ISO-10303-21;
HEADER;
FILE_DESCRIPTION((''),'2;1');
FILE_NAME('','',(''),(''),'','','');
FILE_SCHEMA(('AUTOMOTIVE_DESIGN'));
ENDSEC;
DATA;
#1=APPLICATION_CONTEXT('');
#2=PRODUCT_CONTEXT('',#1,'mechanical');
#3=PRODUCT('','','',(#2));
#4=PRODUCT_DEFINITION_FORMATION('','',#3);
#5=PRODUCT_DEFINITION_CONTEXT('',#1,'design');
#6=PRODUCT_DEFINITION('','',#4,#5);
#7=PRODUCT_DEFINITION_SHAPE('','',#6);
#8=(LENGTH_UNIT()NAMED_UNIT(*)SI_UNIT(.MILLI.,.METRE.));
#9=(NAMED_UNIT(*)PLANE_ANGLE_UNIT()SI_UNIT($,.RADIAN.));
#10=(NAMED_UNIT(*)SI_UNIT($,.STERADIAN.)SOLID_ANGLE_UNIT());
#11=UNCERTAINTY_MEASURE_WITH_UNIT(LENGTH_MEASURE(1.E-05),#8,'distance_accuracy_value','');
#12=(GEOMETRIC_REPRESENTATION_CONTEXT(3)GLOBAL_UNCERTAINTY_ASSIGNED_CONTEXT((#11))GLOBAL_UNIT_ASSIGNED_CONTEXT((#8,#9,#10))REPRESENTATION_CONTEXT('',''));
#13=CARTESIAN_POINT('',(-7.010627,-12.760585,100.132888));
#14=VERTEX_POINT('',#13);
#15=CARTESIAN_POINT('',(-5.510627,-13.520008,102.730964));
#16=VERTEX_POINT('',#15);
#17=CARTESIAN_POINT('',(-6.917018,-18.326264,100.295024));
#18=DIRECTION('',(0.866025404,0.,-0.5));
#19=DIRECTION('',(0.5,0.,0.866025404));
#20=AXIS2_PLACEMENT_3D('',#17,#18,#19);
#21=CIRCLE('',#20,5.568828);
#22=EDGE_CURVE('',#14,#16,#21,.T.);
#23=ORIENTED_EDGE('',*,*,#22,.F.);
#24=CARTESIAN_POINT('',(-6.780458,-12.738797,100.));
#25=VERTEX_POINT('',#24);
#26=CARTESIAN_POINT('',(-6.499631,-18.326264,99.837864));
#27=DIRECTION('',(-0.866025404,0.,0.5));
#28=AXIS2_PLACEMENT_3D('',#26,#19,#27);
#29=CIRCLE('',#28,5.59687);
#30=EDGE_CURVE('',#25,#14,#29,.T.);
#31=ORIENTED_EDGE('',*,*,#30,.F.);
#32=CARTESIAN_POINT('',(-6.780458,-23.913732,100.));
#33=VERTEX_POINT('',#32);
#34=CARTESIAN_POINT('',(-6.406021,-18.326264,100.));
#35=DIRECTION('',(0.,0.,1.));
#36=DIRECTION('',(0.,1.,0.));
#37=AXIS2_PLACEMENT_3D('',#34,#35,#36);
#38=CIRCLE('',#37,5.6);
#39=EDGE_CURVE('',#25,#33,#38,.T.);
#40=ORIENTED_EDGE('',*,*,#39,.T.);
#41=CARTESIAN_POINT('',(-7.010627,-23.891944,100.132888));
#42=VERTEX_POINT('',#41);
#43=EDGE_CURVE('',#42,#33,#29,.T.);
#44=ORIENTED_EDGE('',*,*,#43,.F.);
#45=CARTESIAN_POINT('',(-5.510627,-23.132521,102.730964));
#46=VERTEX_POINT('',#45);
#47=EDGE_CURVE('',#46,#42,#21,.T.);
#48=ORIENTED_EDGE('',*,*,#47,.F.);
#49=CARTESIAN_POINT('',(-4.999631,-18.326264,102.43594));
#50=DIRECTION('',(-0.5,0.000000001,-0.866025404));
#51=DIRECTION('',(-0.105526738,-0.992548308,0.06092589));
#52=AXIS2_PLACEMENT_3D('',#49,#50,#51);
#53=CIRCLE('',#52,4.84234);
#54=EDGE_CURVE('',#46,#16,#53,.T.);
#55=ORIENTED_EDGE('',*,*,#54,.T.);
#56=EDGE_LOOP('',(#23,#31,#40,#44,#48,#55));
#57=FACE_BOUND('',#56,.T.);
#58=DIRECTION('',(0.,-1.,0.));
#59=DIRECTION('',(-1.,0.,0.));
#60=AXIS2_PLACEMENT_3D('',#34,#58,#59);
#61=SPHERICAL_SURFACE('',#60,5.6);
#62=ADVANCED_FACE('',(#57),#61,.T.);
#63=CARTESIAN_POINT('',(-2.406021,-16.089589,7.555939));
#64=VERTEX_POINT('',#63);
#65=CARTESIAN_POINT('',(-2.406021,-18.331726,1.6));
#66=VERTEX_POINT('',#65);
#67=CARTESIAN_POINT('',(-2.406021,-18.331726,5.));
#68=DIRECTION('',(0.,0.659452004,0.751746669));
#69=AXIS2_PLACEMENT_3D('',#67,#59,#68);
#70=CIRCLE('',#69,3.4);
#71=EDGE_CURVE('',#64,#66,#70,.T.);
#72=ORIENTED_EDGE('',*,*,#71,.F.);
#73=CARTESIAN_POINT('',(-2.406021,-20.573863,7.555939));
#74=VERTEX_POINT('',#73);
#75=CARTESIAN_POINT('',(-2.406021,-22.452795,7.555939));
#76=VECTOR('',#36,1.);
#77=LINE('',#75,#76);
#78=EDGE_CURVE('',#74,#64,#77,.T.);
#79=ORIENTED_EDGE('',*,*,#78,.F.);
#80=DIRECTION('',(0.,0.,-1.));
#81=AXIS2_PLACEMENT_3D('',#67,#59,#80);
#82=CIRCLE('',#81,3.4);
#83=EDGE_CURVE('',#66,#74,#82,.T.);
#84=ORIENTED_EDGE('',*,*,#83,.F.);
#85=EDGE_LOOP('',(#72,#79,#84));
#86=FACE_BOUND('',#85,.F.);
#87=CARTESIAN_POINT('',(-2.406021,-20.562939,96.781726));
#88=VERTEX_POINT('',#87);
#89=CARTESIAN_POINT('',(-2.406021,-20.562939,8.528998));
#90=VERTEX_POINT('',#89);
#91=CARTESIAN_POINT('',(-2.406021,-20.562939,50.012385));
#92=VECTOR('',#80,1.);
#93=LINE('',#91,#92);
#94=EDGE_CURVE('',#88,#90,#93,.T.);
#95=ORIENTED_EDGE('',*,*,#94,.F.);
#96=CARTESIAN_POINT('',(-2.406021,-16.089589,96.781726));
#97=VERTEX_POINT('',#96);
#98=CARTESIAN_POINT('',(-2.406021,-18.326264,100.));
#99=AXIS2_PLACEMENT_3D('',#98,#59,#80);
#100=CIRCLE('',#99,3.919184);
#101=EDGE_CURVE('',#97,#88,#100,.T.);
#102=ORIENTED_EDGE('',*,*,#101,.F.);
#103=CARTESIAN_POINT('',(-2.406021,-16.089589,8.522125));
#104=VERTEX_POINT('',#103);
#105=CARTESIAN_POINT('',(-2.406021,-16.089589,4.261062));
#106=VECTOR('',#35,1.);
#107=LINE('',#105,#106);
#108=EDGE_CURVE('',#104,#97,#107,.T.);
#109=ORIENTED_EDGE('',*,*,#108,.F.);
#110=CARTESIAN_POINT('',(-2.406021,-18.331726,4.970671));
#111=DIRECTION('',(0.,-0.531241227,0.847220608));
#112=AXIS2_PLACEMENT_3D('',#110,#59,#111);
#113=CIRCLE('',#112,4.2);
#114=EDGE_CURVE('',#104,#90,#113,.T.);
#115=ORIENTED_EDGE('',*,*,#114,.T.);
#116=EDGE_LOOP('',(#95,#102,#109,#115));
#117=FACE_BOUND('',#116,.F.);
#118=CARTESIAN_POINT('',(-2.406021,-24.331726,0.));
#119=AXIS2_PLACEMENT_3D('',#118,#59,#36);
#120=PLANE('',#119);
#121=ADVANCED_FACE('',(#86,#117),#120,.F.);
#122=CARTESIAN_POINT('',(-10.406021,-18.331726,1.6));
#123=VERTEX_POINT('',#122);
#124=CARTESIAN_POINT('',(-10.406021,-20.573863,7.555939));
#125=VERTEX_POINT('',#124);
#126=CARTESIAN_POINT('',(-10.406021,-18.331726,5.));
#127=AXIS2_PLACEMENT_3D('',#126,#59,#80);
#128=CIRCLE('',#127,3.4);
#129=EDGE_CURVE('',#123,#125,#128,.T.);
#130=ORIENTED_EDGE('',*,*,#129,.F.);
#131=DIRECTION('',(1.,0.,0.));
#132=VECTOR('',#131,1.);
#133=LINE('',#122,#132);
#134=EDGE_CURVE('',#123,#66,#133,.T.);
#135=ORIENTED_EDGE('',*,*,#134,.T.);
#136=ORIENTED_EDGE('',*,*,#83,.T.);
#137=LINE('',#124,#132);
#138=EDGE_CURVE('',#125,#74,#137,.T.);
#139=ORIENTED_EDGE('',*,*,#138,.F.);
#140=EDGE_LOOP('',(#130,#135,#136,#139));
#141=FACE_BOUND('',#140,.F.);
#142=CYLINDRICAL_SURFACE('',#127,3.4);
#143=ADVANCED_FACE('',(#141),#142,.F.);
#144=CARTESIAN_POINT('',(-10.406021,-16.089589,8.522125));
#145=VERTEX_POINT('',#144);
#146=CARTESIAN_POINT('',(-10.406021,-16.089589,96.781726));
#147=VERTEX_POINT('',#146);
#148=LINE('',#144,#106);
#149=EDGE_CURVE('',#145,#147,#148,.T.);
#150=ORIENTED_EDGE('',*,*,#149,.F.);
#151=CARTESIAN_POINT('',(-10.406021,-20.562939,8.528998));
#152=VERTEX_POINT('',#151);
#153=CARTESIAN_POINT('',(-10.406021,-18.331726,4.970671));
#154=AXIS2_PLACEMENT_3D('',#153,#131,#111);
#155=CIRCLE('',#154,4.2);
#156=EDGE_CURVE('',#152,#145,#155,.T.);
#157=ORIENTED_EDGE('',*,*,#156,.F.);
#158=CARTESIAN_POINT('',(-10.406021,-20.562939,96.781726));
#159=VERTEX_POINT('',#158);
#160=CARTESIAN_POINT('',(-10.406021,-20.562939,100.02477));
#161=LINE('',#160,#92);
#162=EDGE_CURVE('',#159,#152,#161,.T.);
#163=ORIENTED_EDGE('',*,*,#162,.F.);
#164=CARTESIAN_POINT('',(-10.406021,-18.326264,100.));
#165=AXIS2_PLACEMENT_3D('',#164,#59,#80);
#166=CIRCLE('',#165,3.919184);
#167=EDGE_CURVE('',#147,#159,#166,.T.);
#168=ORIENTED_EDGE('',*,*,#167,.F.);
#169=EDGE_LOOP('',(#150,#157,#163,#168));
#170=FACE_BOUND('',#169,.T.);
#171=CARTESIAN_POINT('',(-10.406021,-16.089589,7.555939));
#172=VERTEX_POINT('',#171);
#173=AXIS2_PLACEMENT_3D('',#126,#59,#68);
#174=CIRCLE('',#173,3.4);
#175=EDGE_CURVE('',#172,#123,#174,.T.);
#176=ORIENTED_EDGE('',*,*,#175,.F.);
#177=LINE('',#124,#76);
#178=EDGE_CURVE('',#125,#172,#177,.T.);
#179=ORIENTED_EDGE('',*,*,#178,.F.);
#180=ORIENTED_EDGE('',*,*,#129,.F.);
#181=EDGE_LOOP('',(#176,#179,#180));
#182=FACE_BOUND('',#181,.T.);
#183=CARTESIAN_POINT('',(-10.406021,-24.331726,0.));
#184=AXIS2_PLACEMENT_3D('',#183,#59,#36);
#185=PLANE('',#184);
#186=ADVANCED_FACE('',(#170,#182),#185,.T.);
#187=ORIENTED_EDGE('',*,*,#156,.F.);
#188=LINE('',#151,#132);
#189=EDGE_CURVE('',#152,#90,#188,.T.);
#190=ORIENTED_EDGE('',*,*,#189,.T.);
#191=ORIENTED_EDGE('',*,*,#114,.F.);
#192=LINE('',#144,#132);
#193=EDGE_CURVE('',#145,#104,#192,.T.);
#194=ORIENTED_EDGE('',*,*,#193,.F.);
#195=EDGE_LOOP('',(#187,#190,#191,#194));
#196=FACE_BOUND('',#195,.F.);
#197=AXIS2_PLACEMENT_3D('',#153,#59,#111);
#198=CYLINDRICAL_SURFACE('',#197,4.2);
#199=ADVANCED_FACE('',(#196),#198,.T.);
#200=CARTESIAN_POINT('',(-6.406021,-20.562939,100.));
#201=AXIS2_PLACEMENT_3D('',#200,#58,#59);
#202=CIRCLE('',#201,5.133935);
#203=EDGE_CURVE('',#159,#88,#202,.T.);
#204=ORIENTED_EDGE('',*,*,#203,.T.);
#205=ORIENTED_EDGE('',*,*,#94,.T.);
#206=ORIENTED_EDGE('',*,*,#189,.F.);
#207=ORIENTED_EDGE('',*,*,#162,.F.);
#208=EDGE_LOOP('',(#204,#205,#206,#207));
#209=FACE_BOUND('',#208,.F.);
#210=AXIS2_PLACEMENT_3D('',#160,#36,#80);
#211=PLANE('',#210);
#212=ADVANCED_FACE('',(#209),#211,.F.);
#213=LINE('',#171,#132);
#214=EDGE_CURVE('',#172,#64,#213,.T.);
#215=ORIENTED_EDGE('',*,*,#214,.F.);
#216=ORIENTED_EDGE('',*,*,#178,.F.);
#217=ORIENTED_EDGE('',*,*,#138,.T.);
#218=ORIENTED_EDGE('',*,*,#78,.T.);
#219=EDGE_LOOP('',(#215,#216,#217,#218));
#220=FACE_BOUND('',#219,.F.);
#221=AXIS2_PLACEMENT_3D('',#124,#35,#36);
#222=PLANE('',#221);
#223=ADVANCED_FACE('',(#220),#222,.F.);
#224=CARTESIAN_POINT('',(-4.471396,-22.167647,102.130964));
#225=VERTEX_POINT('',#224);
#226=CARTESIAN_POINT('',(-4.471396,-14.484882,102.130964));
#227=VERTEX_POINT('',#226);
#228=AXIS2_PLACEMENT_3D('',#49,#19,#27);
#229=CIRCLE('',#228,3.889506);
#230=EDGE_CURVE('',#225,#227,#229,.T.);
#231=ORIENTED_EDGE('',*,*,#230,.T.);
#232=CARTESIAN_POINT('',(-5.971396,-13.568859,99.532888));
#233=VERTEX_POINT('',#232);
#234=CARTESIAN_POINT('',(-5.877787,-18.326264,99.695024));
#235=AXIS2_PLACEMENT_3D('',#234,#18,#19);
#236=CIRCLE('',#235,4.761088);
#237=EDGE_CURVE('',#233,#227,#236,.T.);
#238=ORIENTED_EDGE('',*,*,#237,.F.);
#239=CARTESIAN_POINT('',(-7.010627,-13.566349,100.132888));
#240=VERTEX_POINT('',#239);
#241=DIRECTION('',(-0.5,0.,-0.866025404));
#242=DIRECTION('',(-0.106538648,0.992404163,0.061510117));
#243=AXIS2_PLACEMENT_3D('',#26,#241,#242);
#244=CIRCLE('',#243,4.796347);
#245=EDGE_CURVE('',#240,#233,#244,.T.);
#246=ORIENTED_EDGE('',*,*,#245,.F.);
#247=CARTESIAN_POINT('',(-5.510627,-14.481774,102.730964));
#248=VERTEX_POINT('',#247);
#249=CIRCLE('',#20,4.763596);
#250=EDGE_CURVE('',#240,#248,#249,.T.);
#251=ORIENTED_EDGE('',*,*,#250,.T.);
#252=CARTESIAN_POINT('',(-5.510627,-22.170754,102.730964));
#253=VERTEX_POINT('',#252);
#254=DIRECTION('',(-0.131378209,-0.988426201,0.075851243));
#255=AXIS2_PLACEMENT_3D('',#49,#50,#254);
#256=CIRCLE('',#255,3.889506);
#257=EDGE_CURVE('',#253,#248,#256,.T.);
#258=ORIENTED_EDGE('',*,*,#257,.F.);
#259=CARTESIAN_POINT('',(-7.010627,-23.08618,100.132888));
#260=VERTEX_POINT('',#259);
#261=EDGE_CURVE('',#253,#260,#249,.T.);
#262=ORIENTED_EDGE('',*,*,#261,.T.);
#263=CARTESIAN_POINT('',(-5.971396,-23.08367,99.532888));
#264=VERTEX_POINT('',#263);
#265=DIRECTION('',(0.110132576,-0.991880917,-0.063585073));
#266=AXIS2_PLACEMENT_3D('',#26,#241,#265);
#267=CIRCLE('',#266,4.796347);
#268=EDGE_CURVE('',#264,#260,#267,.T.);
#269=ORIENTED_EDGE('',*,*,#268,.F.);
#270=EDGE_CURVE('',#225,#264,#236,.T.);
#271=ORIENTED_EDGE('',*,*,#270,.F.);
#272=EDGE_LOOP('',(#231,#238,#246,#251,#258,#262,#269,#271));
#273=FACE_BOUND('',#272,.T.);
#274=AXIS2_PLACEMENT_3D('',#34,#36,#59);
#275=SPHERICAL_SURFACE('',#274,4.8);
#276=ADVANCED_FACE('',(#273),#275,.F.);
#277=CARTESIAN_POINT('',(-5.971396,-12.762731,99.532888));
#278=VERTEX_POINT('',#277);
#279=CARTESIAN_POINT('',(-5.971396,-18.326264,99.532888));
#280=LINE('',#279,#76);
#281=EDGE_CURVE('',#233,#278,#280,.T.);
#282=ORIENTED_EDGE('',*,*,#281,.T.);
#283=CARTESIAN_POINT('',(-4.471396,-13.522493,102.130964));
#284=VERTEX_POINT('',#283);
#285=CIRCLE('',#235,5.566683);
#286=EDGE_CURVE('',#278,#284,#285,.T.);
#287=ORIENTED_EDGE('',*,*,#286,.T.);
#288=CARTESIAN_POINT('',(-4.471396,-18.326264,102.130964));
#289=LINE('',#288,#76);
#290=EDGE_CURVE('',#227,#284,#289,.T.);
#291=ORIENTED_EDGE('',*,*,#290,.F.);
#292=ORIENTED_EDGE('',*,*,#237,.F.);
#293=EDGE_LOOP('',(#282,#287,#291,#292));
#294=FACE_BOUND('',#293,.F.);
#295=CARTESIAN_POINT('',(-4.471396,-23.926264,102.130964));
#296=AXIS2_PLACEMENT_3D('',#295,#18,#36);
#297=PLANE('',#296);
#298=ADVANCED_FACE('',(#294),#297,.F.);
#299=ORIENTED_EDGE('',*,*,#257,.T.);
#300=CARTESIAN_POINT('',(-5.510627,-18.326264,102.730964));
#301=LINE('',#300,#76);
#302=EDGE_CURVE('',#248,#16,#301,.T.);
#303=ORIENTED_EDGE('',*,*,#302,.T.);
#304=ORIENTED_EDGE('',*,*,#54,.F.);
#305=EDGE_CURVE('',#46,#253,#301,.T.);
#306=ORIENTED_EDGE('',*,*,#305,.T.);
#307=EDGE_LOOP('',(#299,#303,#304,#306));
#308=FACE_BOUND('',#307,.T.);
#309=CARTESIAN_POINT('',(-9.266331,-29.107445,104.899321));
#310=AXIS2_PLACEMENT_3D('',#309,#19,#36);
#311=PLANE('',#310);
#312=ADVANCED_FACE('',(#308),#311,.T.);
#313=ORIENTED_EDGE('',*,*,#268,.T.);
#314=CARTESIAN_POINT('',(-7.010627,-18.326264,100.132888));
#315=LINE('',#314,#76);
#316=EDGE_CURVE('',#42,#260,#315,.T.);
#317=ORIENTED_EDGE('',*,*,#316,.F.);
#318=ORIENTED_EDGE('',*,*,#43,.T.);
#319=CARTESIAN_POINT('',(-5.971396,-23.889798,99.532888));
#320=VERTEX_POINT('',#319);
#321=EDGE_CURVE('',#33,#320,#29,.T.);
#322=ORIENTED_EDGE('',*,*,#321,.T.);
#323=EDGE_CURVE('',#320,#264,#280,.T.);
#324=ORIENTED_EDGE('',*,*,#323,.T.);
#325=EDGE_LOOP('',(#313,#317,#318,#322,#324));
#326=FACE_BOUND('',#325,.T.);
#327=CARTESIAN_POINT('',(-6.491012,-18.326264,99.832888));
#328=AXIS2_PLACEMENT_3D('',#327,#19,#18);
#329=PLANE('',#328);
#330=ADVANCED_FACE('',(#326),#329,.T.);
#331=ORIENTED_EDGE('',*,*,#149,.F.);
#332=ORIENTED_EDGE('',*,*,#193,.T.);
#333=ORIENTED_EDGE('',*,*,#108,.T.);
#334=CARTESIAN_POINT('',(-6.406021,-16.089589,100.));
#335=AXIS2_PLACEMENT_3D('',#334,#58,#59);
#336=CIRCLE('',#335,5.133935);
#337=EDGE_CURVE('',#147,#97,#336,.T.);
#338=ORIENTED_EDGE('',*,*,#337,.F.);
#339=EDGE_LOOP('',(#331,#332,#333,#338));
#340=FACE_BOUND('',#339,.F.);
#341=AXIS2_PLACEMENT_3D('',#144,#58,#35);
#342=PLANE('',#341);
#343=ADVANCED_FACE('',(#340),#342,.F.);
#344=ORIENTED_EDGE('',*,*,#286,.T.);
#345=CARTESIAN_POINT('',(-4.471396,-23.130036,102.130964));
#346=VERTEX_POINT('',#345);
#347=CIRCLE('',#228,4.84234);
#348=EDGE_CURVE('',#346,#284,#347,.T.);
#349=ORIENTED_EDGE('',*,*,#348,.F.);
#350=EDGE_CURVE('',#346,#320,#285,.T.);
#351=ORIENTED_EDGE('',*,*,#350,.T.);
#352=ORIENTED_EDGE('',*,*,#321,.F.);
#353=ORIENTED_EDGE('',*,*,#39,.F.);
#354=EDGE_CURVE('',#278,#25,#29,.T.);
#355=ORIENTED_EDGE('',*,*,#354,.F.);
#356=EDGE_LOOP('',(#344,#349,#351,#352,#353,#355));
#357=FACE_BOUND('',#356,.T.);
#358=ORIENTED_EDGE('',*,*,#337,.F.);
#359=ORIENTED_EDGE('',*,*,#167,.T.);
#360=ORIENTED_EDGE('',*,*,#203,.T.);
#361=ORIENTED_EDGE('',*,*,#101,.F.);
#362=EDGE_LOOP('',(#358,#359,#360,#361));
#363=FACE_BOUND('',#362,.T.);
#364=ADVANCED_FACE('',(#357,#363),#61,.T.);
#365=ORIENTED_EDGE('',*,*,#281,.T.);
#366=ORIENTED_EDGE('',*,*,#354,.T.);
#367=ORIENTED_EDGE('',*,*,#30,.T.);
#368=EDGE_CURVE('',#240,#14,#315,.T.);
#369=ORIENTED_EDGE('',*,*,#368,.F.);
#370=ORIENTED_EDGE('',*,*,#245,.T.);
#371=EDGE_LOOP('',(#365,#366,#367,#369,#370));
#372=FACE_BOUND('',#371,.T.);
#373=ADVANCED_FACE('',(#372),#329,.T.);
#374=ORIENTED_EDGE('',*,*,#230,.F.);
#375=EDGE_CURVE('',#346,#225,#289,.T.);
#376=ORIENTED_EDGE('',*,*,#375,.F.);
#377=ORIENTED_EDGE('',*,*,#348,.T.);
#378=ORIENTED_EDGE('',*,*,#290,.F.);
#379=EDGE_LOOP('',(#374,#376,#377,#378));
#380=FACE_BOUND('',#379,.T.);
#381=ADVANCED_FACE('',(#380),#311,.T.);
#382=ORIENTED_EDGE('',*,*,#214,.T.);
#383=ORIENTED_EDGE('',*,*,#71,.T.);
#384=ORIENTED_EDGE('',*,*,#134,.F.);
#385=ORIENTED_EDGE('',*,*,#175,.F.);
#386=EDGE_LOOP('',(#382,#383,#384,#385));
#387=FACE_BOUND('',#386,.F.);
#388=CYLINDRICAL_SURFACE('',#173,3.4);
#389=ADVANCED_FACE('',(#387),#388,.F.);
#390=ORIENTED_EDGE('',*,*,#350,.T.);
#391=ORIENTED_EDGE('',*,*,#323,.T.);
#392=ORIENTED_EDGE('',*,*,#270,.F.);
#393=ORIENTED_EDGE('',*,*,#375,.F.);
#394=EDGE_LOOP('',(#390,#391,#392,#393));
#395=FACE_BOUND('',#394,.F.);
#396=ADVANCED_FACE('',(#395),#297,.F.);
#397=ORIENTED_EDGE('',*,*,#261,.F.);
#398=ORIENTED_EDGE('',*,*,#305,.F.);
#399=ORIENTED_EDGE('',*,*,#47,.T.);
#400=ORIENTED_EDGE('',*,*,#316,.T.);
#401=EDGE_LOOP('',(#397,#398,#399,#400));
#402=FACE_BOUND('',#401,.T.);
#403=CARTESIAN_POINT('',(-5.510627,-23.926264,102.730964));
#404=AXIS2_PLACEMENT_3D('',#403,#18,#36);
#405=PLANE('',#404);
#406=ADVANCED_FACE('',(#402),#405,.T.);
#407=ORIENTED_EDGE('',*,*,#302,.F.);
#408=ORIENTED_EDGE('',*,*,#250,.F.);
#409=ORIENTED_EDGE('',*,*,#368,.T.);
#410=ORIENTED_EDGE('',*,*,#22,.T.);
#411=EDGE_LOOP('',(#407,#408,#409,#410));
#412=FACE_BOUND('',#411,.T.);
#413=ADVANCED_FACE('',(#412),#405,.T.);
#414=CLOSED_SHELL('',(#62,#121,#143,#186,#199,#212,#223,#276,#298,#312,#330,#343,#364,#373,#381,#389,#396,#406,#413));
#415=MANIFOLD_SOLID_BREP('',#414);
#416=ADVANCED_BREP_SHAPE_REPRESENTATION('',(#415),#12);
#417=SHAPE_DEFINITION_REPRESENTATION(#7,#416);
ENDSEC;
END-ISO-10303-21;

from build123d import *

# Parameters (mm, degrees)
SKETCH_1_W                = 8
SKETCH_1_H                = 12
EXTRUDE_1_DEPTH           = 100
CUT_EXTRUDE_3_DEPTH       = 10
CUT_EXTRUDE_11_DEPTH      = 100
CUT_EXTRUDE_14_DEPTH      = 18
CUT_EXTRUDE_14_DEPTH_BACK = 18
SKETCH_16_W               = 6.416978836
SKETCH_16_H               = 19.46348209
SKETCH_17_W               = 1.2
SKETCH_17_H               = 11.2
CUT_EXTRUDE_15_DEPTH      = 3


with BuildPart() as part:
    # 草图1 → 凸台-拉伸1 (new body)
    with BuildSketch(Plane.XY):
        with Locations((-6.4060213, -18.331726276)):
            Rectangle(SKETCH_1_W, SKETCH_1_H)
    extrude(amount=EXTRUDE_1_DEPTH)

    # 草图5 → 切除-拉伸3 (cut)
    with BuildSketch(Plane.ZY.offset(10.4060213)):
        with BuildLine():
            Line((7.555938676, -20.573863088), (7.555938676, -16.089589464))
            ThreePointArc((7.555938676, -16.089589464), (3.802125111, -15.149730715), (1.6, -18.331726276))
            ThreePointArc((1.6, -18.331726276), (3.802125111, -21.513721837), (7.555938676, -20.573863088))
        make_face()
    extrude(amount=-CUT_EXTRUDE_3_DEPTH, mode=Mode.SUBTRACT)

    # 草图2 → 切除-拉伸11 (cut)
    with BuildSketch(Plane.ZY.offset(10.4060213)):
        with BuildLine():
            Line((0, -12.331726276), (-0.01185689, -12.331726276))
            Line((-0.01185689, -12.331726276), (-0.01185689, -24.331726276))
            Line((-0.01185689, -24.331726276), (0, -24.331726276))
            Line((0, -24.331726276), (22.555938676, -24.331726276))
            Line((22.555938676, -24.331726276), (100, -24.331726276))
            Line((100, -24.331726276), (100.024770408, -20.562939428))
            Line((100.024770408, -20.562939428), (8.52899758, -20.562939428))
            ThreePointArc((8.52899758, -20.562939428), (0.770675983, -18.338179262), (8.522124603, -16.089589464))
            Line((8.522124603, -16.089589464), (100.024770408, -16.089589464))
            Line((100.024770408, -16.089589464), (100, -12.331726276))
            Line((100, -12.331726276), (0, -12.331726276))
        make_face()
    extrude(amount=-CUT_EXTRUDE_11_DEPTH, mode=Mode.SUBTRACT)

    # 草图12 → 旋转3 (revolve)
    with BuildSketch(Plane.XY.offset(100)):
        with BuildLine():
            Line((-6.4060213, -13.526264446), (-6.4060213, -12.726264446))
            ThreePointArc((-6.4060213, -12.726264446), (-12.0060213, -18.326264446), (-6.4060213, -23.926264446))
            Line((-6.4060213, -23.926264446), (-6.4060213, -23.126264446))
            ThreePointArc((-6.4060213, -23.126264446), (-11.2060213, -18.326264446), (-6.4060213, -13.526264446))
        make_face()
    revolve(axis=Axis((-6.4060213, -12.726264446, 100), (0, -1, 0)))

    # 草图12<4> → 切除-旋转1 (revolve, cut)
    with BuildSketch(Plane.XY.offset(100)):
        with BuildLine():
            ThreePointArc((-6.4060213, -13.526264446), (-11.2060213, -18.326264446), (-6.4060213, -23.126264446))
            Line((-6.4060213, -23.126264446), (-6.4060213, -13.526264446))
        make_face()
    revolve(axis=Axis((-6.4060213, -12.726264446, 100), (0, -1, 0)), mode=Mode.SUBTRACT)

    # 草图16 → 切除-拉伸14 (cut, two sides: drawn at the far end of the back side and taken through both)
    with BuildSketch(Plane(origin=(-52.372486851, 0, 30.237269382), x_dir=(0.49999999999999806, 0, 0.8660254037844398), z_dir=(-0.8660254037844397, 0, 0.499999999999998)).offset(-CUT_EXTRUDE_14_DEPTH_BACK)):
        with Locations((89.420800734, -19.375704403)):
            Rectangle(SKETCH_16_W, SKETCH_16_H)
    extrude(amount=CUT_EXTRUDE_14_DEPTH + CUT_EXTRUDE_14_DEPTH_BACK, mode=Mode.SUBTRACT)

    # 草图17 → 切除-拉伸15 (cut)
    with BuildSketch(Plane(origin=(43.106155658, 0, 74.662051718), x_dir=(0.8660254037844397, 0, -0.4999999999999981), z_dir=(0.4999999999999981, 0, 0.8660254037844397))):
        with Locations((-55.537824976, -18.326264446)):
            Rectangle(SKETCH_17_W, SKETCH_17_H)
    extrude(amount=-CUT_EXTRUDE_15_DEPTH, mode=Mode.SUBTRACT)


solid = part.part
